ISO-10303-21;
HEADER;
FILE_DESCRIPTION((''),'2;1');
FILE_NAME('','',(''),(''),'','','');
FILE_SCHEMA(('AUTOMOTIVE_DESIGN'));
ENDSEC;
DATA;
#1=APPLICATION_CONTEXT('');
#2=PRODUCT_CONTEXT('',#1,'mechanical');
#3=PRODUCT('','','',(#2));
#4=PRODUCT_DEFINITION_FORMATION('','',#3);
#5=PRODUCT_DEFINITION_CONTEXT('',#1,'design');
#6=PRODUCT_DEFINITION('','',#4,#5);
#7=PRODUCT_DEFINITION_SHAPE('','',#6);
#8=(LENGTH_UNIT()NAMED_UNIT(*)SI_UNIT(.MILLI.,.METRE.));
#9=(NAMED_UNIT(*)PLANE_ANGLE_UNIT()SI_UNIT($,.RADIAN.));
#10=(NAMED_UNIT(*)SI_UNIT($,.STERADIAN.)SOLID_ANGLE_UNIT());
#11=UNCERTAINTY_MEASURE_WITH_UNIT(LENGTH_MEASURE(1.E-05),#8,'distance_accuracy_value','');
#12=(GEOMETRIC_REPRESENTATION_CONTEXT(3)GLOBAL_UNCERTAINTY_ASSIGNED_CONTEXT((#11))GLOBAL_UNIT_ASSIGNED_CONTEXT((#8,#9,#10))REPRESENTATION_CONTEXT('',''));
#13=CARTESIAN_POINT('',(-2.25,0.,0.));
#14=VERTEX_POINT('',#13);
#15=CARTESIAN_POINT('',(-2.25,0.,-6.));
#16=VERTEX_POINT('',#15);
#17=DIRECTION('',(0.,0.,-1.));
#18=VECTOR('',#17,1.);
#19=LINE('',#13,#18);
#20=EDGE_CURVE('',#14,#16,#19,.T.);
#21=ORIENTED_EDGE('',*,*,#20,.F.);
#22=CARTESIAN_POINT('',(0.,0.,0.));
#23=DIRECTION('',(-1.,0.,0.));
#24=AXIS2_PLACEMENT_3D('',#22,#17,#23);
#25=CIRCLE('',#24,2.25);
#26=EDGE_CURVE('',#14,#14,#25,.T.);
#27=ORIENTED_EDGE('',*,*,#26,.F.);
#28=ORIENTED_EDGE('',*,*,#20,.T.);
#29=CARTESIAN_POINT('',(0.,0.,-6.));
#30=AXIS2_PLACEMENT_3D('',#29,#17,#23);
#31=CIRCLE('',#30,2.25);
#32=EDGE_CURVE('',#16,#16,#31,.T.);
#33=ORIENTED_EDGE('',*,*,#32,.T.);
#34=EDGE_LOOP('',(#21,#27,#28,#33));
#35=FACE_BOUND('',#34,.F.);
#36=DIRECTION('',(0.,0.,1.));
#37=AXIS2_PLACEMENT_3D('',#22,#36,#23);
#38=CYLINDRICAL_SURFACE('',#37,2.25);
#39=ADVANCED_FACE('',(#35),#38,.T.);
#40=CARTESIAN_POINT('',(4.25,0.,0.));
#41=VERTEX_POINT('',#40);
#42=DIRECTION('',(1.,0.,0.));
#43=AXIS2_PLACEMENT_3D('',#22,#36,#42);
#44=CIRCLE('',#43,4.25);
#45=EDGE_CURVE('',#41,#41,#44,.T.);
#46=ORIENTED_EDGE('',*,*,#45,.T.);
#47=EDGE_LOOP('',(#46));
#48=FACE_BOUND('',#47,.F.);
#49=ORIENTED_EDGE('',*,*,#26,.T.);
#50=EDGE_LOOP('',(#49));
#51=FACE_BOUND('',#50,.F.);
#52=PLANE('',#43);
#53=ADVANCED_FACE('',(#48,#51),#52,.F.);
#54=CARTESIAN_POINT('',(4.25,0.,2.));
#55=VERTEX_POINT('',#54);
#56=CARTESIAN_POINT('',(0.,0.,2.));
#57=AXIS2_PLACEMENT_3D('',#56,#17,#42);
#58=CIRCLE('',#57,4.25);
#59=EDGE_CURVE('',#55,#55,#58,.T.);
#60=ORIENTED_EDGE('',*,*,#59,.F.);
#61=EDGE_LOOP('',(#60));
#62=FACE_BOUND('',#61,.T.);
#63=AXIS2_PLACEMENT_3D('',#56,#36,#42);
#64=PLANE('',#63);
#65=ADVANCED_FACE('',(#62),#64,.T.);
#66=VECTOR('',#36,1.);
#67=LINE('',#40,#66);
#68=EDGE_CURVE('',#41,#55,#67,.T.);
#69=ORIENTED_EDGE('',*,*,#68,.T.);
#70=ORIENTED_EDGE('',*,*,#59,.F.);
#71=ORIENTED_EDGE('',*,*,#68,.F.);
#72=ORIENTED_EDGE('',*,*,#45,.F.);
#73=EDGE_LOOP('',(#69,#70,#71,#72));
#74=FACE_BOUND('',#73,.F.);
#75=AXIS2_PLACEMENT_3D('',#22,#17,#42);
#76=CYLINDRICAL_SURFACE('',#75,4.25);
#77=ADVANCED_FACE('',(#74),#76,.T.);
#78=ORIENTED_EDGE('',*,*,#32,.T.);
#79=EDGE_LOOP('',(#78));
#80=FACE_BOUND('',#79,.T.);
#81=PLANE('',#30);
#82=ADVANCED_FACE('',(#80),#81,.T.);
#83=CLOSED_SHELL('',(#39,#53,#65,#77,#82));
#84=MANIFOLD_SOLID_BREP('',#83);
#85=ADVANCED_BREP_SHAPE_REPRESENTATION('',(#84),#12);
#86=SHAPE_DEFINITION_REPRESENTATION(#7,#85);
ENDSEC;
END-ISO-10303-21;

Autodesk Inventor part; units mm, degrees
ref_plane "YZ Plane" through (0, 0, 0) normal (1, 0, 0) x (0, 1, 0)
ref_plane "XZ Plane" through (0, 0, 0) normal (0, 1, 0) x (-1, 0, 0)
ref_plane "XY Plane" through (0, 0, 0) normal (0, 0, 1) x (1, 0, 0)
sketch "Sketch1" plane through (0, 0, 0) normal (0, 0, 1) x (1, 0, 0)
  circle A0 centre (0, 0) radius 4.25
  dimension "d0" = 8.5
extrude "Extrusion1" add sketch "Sketch1" along normal blind 2
sketch "Sketch2" plane through (0, 0, 0) normal (0, 0, -1) x (-1, 0, 0)
  circle A0 centre (0, 0) radius 2.25
  dimension "d3" = 4.5
extrude "Extrusion2" add sketch "Sketch2" along normal blind 6
sketch "Sketch3" plane through (0, 0, 2) normal (0, 0, 1) x (1, 0, 0)
  circle A0 centre (0, 0) radius 2.25 projected
  circle A1 centre (0, 0) radius 4.25 projected
  line L0 (-4.25, 0) -> (-2.125, 3.6806)
  line L1 (-2.125, 3.6806) -> (2.125, 3.6806)
  line L2 (2.125, 3.6806) -> (4.25, 0)
  line L3 (4.25, 0) -> (2.125, -3.6806)
  line L4 (2.125, -3.6806) -> (-2.125, -3.6806)
  line L5 (-2.125, -3.6806) -> (-4.25, 0)
extrude "Extrusion3" add sketch "Sketch3" against normal blind 2 contours L2 A1 | A1 L3 | L1 A1 | A1 L4 | L0 A1 | A1 L5
thread "Thread2" size "M3x0.5" class "6g" standard "ANSI Metric M Profile" length 6
properties part number "vida"
